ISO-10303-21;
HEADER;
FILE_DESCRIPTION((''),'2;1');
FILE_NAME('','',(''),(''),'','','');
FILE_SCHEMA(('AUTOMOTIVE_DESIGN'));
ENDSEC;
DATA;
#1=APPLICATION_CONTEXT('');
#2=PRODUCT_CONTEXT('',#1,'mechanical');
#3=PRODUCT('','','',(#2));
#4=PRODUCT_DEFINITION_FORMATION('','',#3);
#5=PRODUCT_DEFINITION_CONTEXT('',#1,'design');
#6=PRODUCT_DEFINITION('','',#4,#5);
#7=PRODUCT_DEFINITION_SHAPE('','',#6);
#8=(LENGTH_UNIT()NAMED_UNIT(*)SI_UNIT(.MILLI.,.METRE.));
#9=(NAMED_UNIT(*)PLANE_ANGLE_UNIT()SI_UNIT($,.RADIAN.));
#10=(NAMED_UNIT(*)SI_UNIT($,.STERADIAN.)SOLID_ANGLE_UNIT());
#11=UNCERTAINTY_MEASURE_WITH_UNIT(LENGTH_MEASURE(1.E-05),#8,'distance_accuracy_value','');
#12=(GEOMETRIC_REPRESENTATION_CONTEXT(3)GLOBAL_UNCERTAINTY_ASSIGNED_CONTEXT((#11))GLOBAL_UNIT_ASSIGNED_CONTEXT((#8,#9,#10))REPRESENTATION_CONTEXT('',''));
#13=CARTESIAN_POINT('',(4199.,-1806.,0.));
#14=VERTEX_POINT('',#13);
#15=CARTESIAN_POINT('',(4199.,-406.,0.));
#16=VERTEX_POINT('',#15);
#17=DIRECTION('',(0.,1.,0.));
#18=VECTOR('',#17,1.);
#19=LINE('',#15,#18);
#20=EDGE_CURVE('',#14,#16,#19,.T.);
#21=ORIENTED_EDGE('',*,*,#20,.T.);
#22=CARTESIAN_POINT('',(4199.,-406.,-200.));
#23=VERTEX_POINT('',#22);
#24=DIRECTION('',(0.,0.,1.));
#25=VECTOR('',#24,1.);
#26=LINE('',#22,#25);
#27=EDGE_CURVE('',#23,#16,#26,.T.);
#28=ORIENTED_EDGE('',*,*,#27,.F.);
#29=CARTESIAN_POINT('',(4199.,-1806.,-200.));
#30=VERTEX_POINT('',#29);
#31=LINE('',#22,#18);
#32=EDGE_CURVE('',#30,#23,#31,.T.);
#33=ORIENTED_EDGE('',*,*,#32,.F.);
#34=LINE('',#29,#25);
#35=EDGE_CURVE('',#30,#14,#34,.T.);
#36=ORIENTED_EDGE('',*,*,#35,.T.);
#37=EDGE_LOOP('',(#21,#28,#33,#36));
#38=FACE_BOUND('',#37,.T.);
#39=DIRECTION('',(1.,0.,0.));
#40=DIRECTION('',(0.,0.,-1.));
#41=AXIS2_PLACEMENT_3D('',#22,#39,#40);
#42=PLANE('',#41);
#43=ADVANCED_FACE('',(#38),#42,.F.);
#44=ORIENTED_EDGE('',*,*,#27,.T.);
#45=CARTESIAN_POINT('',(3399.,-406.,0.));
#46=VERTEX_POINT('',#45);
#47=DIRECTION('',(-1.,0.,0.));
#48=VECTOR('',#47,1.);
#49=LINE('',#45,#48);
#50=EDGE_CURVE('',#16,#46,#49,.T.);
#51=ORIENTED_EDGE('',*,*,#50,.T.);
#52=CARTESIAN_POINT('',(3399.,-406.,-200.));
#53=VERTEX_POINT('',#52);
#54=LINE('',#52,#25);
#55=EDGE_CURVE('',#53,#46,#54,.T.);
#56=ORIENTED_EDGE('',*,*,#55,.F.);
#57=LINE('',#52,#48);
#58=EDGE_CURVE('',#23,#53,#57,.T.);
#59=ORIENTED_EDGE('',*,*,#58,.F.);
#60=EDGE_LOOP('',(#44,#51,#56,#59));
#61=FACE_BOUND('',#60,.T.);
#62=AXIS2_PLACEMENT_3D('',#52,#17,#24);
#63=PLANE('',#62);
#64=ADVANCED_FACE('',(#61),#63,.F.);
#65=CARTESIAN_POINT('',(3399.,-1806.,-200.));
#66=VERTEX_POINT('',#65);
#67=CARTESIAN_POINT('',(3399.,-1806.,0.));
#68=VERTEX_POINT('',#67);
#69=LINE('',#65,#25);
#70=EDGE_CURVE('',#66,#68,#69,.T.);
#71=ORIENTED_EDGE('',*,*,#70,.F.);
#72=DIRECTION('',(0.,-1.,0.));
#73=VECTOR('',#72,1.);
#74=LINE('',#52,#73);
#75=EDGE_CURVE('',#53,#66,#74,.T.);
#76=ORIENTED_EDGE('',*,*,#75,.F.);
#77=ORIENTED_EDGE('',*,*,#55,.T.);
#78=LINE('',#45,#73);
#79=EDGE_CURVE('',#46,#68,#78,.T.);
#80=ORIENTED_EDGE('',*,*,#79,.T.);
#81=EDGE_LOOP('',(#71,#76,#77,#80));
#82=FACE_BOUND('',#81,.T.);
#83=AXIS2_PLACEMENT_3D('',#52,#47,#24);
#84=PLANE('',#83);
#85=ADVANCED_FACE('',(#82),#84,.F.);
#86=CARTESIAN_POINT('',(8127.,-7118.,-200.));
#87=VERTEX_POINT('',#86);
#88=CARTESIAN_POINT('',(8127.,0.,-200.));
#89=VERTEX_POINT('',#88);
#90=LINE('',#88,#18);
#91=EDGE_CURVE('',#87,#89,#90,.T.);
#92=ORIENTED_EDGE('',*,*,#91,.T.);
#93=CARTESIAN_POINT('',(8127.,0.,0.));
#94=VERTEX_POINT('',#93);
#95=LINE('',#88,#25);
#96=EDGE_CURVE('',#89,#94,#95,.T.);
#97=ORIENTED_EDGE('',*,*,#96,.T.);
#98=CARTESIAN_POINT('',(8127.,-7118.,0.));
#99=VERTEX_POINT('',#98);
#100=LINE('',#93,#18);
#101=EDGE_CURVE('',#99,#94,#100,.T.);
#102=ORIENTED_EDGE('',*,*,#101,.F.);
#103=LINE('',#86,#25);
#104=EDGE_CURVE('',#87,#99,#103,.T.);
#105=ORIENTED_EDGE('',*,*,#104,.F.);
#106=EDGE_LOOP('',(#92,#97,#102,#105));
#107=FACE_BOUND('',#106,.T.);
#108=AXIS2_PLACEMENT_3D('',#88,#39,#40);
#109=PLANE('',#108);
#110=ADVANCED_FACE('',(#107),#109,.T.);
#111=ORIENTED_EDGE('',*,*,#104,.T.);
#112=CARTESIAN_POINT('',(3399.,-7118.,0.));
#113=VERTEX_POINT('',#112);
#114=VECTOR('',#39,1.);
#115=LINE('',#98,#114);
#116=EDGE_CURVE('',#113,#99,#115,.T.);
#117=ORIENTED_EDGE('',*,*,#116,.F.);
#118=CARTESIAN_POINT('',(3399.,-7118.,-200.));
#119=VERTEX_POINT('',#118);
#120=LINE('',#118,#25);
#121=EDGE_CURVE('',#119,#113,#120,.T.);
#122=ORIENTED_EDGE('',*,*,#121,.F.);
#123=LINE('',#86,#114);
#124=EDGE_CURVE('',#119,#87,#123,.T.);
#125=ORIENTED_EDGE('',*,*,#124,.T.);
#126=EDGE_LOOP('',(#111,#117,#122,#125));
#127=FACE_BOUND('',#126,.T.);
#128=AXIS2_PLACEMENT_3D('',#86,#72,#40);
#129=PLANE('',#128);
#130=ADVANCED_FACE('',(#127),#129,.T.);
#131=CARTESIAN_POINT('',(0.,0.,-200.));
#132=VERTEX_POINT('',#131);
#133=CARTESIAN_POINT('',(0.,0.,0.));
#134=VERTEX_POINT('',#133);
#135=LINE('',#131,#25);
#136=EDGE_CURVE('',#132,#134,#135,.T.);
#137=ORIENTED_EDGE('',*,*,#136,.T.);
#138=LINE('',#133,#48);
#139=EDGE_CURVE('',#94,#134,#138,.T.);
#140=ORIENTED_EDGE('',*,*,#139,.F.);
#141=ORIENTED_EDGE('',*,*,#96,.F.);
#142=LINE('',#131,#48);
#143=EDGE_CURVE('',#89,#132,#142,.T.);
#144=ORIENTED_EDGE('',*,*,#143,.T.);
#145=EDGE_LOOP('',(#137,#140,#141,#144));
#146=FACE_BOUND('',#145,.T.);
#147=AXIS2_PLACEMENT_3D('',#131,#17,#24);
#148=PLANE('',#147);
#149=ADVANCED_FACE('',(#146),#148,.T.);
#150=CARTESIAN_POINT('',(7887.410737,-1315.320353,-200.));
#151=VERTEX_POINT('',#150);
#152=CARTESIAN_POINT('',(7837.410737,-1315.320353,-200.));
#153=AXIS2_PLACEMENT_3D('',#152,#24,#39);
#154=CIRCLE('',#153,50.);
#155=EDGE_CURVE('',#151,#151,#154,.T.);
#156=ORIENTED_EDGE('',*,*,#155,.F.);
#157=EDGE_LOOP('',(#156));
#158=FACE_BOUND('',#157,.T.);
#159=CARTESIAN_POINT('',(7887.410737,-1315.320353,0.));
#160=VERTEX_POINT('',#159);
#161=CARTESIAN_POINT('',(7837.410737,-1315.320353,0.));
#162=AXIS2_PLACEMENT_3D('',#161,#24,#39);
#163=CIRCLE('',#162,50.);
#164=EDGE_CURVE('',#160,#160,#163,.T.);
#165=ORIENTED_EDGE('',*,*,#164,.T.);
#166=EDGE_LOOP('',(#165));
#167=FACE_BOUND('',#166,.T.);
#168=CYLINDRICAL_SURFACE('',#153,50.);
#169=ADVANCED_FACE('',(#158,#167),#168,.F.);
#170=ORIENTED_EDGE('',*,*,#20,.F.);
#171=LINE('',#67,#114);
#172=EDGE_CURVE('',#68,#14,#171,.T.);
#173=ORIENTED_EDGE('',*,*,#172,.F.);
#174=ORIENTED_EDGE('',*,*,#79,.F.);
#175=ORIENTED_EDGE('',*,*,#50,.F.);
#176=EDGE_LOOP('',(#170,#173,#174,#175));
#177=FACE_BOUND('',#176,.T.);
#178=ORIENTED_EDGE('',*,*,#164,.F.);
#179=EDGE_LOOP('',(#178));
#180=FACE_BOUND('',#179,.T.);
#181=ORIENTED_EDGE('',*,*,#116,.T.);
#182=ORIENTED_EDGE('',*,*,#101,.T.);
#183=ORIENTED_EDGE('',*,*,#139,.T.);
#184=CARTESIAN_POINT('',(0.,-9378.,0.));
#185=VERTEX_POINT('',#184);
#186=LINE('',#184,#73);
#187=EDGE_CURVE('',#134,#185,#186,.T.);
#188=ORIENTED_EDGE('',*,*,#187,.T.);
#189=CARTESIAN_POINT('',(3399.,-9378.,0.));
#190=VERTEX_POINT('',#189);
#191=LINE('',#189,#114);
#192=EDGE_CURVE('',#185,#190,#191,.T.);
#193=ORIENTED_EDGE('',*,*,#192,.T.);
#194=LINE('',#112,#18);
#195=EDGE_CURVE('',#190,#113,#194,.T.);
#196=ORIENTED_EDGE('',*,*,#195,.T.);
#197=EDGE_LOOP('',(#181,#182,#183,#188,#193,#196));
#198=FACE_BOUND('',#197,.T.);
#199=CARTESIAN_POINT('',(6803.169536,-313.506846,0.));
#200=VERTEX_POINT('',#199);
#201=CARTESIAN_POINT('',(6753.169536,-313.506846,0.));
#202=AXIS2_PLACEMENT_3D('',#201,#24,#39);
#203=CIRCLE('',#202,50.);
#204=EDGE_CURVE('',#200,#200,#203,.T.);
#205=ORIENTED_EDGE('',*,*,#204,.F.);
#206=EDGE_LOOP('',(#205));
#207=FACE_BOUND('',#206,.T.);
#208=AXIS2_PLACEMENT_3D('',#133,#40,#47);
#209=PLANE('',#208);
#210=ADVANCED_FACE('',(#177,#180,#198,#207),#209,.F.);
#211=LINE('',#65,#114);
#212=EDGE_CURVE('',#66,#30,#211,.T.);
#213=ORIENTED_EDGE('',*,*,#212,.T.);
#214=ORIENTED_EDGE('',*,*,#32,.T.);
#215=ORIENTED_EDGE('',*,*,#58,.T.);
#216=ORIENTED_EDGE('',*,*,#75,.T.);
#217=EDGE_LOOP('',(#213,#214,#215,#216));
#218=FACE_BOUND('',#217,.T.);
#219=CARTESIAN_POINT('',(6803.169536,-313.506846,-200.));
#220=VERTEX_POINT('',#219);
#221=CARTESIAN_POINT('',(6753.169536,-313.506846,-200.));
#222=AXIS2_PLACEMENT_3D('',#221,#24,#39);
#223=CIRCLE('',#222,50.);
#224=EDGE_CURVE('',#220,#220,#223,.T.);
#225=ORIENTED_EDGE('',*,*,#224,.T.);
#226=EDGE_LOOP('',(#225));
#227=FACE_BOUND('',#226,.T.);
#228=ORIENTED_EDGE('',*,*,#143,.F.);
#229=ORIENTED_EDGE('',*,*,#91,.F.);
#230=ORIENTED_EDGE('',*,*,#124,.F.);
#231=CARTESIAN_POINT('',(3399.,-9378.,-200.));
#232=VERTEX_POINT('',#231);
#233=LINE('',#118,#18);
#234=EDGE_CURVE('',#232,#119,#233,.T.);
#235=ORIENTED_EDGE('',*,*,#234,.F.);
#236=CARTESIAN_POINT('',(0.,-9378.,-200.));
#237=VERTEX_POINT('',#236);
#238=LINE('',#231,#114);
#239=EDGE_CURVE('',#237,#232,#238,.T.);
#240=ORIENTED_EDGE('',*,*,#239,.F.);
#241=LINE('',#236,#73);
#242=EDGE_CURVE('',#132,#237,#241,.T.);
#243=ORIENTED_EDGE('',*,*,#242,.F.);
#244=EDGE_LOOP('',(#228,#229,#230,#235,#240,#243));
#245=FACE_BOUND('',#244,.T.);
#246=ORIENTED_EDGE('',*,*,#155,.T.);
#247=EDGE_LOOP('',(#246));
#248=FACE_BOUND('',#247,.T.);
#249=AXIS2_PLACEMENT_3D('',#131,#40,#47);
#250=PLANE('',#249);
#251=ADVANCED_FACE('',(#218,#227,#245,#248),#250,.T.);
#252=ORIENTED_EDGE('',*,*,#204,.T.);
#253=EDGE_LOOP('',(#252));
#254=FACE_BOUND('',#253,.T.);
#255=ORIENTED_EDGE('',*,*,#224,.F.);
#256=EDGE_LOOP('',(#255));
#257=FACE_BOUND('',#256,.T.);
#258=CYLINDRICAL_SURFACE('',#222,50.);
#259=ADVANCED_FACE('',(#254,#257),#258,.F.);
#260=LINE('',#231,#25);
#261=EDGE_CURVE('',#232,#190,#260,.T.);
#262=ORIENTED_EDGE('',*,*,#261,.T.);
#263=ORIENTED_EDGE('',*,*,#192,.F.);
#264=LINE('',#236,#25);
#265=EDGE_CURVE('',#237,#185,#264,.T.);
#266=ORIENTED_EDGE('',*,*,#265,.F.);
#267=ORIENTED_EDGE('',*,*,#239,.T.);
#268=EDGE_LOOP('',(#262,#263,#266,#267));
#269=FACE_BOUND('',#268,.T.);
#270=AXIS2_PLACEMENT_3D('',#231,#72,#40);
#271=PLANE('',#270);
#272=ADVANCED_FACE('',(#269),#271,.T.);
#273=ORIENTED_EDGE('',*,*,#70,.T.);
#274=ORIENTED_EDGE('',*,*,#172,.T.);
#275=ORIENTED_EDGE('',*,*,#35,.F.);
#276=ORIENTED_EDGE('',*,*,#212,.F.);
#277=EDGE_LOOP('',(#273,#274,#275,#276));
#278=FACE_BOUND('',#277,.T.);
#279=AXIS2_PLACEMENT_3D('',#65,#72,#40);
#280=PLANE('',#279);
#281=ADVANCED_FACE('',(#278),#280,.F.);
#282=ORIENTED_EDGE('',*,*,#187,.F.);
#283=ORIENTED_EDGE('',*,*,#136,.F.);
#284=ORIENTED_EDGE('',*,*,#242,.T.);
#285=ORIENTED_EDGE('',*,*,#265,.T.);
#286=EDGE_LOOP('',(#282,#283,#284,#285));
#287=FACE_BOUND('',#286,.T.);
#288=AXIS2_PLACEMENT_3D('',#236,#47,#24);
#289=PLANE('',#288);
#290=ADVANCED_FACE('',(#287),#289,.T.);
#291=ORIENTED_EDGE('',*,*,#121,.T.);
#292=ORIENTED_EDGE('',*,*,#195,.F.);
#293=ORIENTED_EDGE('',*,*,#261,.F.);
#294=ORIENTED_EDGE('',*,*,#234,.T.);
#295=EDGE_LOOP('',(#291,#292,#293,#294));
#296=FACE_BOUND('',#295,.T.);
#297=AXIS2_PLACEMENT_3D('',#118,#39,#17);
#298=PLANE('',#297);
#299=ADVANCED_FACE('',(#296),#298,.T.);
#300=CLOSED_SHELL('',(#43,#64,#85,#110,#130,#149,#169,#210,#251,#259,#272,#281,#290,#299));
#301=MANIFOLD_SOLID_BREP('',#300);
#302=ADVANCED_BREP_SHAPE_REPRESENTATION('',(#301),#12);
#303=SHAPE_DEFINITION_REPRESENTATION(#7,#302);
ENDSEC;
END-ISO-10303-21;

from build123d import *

# Parameters (mm, degrees)
SKETCH_1_R      = 50
SKETCH_1_W      = 800
SKETCH_1_H      = 1400
EXTRUDE_1_DEPTH = 200


with BuildPart() as part:
    # Эскиз1 → Бобышка-Вытянуть1 (new body)
    with BuildSketch(Plane.XY):
        Polygon((0, 0), (8127, 0), (8127, -7118), (3399, -7118), (3399, -9378), (0, -9378), align=None)
        with Locations((7837.410737103, -1315.320353334)):
            Circle(SKETCH_1_R, mode=Mode.SUBTRACT)
        with Locations((6753.169536369, -313.506846223)):
            Circle(SKETCH_1_R, mode=Mode.SUBTRACT)
        with Locations((3799, -1106)):
            Rectangle(SKETCH_1_W, SKETCH_1_H, mode=Mode.SUBTRACT)
    extrude(amount=-EXTRUDE_1_DEPTH)


solid = part.part
